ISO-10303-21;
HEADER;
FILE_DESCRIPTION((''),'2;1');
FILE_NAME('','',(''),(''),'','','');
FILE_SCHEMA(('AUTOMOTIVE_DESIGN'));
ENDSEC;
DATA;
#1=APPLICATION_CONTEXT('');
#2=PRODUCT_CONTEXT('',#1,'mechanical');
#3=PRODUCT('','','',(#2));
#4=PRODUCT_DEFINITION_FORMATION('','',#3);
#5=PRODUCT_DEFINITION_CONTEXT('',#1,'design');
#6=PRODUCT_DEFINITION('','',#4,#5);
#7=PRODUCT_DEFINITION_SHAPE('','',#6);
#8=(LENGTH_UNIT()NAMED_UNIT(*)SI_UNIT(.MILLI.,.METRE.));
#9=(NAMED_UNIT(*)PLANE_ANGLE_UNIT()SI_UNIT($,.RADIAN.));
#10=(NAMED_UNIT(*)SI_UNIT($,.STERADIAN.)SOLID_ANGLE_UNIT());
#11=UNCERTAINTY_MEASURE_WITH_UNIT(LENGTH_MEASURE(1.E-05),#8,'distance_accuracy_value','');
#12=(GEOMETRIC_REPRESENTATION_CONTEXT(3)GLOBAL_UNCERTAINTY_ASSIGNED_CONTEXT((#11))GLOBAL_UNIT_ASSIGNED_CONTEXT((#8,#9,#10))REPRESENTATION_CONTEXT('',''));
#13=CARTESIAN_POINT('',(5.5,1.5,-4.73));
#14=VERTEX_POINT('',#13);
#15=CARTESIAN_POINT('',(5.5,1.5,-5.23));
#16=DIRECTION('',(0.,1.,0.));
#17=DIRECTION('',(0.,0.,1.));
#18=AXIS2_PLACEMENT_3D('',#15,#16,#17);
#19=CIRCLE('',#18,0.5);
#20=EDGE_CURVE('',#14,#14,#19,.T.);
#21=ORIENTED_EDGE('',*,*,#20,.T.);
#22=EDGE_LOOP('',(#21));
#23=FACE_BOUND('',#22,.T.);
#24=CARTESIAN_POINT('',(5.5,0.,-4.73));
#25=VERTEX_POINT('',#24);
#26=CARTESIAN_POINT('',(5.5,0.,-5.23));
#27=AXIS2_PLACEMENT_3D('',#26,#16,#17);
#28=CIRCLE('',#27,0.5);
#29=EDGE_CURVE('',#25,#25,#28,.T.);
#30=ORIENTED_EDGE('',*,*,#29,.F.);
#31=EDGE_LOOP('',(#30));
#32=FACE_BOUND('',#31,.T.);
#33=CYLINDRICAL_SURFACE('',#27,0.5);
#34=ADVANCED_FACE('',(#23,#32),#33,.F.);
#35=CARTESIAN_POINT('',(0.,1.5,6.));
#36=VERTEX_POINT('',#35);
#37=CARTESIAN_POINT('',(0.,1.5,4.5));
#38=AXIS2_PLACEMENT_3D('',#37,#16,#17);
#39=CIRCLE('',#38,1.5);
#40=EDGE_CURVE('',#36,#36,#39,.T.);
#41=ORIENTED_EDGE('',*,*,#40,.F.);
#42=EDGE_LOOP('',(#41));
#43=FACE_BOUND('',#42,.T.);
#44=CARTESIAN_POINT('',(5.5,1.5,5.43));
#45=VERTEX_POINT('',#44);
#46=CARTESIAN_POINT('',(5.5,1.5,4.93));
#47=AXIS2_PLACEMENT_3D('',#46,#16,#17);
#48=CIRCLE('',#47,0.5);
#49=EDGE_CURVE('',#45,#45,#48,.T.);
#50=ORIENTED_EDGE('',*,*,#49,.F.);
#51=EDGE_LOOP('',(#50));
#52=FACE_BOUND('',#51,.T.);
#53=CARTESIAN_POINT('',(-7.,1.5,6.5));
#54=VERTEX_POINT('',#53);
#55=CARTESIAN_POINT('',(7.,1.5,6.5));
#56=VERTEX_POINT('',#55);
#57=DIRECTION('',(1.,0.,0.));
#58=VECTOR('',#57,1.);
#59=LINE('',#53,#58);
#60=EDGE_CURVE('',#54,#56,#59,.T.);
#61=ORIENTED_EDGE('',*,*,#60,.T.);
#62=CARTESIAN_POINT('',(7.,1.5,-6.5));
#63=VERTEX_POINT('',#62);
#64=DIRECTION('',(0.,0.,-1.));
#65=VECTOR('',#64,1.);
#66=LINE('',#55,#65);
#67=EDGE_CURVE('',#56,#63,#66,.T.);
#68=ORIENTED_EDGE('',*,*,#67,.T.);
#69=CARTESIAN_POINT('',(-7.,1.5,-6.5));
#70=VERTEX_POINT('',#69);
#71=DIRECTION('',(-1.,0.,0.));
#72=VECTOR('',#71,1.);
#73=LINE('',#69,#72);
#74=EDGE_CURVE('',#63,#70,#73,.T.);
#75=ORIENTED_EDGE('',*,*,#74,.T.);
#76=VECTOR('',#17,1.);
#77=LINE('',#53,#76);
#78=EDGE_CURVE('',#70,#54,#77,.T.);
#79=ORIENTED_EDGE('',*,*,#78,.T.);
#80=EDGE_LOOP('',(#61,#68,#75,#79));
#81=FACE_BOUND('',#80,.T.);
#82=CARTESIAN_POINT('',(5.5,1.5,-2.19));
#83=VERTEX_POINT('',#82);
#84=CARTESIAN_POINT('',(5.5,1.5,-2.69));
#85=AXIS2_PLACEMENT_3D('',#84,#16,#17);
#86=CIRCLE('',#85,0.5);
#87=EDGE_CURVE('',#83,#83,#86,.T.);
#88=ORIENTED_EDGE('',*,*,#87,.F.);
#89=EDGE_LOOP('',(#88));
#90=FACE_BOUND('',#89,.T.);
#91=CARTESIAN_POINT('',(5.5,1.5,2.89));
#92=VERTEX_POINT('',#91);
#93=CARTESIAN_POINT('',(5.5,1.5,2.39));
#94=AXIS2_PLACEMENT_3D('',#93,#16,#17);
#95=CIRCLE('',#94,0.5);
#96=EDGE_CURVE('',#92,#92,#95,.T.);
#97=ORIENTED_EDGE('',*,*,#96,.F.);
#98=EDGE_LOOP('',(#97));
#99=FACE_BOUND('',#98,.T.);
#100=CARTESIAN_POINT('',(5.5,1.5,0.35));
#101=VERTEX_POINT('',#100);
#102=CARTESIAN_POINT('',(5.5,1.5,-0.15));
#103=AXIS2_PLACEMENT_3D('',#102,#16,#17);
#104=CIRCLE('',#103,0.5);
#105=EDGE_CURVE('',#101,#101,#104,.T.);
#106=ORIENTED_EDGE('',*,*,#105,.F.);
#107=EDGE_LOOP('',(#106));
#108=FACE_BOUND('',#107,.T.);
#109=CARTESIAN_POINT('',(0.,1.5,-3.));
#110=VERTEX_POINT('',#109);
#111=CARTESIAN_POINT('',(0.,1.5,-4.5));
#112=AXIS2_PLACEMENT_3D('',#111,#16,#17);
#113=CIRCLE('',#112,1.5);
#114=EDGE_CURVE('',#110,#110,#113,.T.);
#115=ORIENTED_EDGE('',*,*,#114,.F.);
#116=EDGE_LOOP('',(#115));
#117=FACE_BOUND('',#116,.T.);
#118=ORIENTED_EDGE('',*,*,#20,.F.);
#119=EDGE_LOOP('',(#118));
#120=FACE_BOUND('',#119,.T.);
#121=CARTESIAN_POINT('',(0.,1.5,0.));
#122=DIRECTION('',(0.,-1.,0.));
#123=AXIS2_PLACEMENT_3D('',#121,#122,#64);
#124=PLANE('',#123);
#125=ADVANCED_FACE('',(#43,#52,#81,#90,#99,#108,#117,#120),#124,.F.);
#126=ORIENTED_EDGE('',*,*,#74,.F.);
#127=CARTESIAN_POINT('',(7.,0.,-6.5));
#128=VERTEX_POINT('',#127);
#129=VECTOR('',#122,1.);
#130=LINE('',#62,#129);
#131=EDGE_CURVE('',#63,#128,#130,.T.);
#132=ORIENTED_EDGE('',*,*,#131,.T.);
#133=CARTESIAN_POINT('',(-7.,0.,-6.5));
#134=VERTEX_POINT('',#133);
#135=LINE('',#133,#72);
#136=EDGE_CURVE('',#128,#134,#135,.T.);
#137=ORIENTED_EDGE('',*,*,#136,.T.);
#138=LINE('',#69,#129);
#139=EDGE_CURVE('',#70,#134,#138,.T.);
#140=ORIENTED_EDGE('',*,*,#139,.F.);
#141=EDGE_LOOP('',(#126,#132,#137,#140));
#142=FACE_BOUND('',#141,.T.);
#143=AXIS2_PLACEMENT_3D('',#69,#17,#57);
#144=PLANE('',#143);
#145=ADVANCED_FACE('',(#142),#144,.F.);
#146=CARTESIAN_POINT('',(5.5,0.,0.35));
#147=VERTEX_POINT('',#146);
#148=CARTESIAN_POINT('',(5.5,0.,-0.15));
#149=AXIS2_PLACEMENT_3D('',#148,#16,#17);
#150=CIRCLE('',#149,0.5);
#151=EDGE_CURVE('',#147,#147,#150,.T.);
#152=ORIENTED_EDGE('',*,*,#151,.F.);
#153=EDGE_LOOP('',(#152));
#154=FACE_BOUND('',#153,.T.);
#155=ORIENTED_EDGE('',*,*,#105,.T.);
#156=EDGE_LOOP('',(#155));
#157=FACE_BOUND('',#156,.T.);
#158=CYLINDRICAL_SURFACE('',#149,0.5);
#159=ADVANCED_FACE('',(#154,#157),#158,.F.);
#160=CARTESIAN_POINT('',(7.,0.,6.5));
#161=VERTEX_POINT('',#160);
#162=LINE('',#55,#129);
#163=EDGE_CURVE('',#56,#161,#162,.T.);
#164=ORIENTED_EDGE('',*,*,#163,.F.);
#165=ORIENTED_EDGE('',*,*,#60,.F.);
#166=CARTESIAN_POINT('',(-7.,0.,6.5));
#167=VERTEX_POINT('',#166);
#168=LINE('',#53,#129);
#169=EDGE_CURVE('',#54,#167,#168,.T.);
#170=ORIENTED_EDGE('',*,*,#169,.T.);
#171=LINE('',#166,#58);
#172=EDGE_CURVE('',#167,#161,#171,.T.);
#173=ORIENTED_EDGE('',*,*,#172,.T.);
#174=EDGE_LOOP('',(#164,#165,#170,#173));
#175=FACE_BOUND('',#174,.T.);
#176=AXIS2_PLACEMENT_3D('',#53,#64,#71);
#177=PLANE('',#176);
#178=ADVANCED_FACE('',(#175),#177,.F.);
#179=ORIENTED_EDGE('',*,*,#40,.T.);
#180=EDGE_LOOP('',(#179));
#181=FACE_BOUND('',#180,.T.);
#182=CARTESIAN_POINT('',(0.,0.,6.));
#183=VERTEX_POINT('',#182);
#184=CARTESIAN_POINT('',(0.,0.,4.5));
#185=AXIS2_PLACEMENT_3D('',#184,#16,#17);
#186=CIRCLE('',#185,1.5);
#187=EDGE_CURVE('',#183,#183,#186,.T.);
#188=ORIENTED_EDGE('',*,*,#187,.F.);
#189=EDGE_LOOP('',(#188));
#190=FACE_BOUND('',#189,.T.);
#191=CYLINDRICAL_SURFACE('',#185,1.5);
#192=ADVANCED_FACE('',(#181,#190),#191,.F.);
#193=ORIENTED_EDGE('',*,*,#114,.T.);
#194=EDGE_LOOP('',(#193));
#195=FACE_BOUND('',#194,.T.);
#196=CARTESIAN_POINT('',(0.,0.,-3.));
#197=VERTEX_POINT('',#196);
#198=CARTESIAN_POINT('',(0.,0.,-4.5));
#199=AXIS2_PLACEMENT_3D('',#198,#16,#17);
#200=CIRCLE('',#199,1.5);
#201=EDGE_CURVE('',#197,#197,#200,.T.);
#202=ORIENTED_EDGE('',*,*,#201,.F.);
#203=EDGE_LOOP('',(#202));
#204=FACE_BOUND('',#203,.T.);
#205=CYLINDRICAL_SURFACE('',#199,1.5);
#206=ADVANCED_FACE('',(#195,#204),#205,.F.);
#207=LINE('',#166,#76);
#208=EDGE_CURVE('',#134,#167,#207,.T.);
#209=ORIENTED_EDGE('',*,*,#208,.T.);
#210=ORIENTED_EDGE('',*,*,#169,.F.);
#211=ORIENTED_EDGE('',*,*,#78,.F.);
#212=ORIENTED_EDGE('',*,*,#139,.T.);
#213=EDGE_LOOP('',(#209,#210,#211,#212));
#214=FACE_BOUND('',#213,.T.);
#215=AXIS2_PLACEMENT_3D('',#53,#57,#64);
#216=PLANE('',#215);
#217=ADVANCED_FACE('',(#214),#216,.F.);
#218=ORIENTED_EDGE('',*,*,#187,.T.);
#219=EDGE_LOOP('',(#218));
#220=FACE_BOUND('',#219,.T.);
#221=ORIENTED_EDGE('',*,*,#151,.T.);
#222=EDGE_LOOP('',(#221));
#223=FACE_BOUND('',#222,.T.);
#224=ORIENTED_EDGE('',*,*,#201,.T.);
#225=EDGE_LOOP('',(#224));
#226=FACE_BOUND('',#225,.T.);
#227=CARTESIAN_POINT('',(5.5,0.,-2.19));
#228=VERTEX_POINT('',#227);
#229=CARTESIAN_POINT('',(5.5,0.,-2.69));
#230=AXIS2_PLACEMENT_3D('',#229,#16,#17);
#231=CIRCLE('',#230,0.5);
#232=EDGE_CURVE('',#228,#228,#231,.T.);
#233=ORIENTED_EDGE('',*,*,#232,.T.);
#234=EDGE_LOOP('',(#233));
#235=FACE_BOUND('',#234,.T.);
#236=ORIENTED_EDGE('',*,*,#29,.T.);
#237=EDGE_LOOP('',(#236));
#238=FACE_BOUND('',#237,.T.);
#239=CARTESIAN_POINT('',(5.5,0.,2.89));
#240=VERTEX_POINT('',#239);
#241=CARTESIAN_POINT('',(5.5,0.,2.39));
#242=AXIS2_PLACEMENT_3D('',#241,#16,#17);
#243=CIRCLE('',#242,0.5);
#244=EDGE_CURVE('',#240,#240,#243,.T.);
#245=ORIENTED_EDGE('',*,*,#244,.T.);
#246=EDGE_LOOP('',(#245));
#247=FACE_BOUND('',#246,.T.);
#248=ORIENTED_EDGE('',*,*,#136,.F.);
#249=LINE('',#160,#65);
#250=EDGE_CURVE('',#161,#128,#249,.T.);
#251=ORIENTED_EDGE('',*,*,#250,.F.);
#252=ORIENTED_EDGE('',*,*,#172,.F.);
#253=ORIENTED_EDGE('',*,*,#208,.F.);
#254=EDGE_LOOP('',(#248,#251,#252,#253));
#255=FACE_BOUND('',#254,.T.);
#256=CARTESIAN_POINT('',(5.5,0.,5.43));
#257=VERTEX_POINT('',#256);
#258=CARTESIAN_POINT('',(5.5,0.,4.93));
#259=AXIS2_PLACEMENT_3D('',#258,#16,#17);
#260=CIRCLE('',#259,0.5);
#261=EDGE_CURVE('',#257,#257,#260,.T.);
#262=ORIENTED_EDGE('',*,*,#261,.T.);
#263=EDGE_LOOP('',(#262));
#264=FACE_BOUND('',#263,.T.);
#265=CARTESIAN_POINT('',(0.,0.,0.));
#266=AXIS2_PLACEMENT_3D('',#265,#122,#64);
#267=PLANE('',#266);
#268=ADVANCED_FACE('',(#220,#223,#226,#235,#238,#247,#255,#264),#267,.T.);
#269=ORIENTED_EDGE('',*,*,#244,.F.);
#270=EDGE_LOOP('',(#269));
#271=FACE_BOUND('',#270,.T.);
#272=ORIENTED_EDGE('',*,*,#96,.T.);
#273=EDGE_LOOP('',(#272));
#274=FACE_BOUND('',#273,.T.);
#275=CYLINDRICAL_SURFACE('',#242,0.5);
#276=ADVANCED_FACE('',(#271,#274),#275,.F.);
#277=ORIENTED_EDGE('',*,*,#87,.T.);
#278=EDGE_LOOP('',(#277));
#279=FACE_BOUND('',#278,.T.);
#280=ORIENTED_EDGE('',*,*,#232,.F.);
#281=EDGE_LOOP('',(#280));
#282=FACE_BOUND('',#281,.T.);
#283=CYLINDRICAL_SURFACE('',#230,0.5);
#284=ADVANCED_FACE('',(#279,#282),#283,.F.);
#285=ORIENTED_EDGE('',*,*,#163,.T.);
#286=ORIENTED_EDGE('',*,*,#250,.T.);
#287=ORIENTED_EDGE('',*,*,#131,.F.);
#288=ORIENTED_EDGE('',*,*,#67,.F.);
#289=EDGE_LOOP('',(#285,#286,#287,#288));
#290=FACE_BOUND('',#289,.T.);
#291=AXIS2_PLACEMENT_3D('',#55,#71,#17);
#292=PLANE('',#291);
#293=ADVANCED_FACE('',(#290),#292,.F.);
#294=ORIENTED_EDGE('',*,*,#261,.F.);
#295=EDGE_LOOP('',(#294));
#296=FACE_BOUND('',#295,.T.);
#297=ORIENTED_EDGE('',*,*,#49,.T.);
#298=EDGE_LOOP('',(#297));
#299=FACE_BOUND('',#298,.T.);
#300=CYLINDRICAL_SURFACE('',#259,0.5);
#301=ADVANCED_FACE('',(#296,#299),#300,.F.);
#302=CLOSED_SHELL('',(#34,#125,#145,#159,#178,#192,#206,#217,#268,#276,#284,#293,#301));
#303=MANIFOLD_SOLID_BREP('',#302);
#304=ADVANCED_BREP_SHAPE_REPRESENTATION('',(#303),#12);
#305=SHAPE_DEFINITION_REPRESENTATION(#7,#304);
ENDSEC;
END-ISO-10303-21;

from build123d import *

# Parameters (mm, degrees)
SKETCH1_W           = 14
SKETCH1_H           = 13
BOSS_EXTRUDE1_DEPTH = 1.5
SKETCH2_R           = 1.5
SKETCH2_R_2         = 0.5
CUT_EXTRUDE1_DEPTH  = 1.5


with BuildPart() as part:
    # Sketch1 → Boss-Extrude1 (new body)
    with BuildSketch(Plane(origin=(0, 0, 0), x_dir=(1, 0, 0), z_dir=(0, 1, 0))):
        Rectangle(SKETCH1_W, SKETCH1_H)
    extrude(amount=BOSS_EXTRUDE1_DEPTH)

    # Sketch2 → Cut-Extrude1 (cut)
    with BuildSketch(Plane(origin=(0, 1.5, 0), x_dir=(1, 0, 0), z_dir=(0, 1, 0))):
        with Locations(Location((0, 4.5, 0), (0, 0, 270))):
            Circle(SKETCH2_R)
        with Locations(Location((0, -4.5, 0), (0, 0, 270))):
            Circle(SKETCH2_R)
        with Locations(Location((5.5, -4.93, 0), (0, 0, 270))):
            Circle(SKETCH2_R_2)
        with Locations(Location((5.5, -2.39, 0), (0, 0, 270))):
            Circle(SKETCH2_R_2)
        with Locations(Location((5.5, 0.15, 0), (0, 0, 270))):
            Circle(SKETCH2_R_2)
        with Locations(Location((5.5, 2.69, 0), (0, 0, 270))):
            Circle(SKETCH2_R_2)
        with Locations(Location((5.5, 5.23, 0), (0, 0, 270))):
            Circle(SKETCH2_R_2)
    extrude(amount=-CUT_EXTRUDE1_DEPTH, mode=Mode.SUBTRACT)


solid = part.part
